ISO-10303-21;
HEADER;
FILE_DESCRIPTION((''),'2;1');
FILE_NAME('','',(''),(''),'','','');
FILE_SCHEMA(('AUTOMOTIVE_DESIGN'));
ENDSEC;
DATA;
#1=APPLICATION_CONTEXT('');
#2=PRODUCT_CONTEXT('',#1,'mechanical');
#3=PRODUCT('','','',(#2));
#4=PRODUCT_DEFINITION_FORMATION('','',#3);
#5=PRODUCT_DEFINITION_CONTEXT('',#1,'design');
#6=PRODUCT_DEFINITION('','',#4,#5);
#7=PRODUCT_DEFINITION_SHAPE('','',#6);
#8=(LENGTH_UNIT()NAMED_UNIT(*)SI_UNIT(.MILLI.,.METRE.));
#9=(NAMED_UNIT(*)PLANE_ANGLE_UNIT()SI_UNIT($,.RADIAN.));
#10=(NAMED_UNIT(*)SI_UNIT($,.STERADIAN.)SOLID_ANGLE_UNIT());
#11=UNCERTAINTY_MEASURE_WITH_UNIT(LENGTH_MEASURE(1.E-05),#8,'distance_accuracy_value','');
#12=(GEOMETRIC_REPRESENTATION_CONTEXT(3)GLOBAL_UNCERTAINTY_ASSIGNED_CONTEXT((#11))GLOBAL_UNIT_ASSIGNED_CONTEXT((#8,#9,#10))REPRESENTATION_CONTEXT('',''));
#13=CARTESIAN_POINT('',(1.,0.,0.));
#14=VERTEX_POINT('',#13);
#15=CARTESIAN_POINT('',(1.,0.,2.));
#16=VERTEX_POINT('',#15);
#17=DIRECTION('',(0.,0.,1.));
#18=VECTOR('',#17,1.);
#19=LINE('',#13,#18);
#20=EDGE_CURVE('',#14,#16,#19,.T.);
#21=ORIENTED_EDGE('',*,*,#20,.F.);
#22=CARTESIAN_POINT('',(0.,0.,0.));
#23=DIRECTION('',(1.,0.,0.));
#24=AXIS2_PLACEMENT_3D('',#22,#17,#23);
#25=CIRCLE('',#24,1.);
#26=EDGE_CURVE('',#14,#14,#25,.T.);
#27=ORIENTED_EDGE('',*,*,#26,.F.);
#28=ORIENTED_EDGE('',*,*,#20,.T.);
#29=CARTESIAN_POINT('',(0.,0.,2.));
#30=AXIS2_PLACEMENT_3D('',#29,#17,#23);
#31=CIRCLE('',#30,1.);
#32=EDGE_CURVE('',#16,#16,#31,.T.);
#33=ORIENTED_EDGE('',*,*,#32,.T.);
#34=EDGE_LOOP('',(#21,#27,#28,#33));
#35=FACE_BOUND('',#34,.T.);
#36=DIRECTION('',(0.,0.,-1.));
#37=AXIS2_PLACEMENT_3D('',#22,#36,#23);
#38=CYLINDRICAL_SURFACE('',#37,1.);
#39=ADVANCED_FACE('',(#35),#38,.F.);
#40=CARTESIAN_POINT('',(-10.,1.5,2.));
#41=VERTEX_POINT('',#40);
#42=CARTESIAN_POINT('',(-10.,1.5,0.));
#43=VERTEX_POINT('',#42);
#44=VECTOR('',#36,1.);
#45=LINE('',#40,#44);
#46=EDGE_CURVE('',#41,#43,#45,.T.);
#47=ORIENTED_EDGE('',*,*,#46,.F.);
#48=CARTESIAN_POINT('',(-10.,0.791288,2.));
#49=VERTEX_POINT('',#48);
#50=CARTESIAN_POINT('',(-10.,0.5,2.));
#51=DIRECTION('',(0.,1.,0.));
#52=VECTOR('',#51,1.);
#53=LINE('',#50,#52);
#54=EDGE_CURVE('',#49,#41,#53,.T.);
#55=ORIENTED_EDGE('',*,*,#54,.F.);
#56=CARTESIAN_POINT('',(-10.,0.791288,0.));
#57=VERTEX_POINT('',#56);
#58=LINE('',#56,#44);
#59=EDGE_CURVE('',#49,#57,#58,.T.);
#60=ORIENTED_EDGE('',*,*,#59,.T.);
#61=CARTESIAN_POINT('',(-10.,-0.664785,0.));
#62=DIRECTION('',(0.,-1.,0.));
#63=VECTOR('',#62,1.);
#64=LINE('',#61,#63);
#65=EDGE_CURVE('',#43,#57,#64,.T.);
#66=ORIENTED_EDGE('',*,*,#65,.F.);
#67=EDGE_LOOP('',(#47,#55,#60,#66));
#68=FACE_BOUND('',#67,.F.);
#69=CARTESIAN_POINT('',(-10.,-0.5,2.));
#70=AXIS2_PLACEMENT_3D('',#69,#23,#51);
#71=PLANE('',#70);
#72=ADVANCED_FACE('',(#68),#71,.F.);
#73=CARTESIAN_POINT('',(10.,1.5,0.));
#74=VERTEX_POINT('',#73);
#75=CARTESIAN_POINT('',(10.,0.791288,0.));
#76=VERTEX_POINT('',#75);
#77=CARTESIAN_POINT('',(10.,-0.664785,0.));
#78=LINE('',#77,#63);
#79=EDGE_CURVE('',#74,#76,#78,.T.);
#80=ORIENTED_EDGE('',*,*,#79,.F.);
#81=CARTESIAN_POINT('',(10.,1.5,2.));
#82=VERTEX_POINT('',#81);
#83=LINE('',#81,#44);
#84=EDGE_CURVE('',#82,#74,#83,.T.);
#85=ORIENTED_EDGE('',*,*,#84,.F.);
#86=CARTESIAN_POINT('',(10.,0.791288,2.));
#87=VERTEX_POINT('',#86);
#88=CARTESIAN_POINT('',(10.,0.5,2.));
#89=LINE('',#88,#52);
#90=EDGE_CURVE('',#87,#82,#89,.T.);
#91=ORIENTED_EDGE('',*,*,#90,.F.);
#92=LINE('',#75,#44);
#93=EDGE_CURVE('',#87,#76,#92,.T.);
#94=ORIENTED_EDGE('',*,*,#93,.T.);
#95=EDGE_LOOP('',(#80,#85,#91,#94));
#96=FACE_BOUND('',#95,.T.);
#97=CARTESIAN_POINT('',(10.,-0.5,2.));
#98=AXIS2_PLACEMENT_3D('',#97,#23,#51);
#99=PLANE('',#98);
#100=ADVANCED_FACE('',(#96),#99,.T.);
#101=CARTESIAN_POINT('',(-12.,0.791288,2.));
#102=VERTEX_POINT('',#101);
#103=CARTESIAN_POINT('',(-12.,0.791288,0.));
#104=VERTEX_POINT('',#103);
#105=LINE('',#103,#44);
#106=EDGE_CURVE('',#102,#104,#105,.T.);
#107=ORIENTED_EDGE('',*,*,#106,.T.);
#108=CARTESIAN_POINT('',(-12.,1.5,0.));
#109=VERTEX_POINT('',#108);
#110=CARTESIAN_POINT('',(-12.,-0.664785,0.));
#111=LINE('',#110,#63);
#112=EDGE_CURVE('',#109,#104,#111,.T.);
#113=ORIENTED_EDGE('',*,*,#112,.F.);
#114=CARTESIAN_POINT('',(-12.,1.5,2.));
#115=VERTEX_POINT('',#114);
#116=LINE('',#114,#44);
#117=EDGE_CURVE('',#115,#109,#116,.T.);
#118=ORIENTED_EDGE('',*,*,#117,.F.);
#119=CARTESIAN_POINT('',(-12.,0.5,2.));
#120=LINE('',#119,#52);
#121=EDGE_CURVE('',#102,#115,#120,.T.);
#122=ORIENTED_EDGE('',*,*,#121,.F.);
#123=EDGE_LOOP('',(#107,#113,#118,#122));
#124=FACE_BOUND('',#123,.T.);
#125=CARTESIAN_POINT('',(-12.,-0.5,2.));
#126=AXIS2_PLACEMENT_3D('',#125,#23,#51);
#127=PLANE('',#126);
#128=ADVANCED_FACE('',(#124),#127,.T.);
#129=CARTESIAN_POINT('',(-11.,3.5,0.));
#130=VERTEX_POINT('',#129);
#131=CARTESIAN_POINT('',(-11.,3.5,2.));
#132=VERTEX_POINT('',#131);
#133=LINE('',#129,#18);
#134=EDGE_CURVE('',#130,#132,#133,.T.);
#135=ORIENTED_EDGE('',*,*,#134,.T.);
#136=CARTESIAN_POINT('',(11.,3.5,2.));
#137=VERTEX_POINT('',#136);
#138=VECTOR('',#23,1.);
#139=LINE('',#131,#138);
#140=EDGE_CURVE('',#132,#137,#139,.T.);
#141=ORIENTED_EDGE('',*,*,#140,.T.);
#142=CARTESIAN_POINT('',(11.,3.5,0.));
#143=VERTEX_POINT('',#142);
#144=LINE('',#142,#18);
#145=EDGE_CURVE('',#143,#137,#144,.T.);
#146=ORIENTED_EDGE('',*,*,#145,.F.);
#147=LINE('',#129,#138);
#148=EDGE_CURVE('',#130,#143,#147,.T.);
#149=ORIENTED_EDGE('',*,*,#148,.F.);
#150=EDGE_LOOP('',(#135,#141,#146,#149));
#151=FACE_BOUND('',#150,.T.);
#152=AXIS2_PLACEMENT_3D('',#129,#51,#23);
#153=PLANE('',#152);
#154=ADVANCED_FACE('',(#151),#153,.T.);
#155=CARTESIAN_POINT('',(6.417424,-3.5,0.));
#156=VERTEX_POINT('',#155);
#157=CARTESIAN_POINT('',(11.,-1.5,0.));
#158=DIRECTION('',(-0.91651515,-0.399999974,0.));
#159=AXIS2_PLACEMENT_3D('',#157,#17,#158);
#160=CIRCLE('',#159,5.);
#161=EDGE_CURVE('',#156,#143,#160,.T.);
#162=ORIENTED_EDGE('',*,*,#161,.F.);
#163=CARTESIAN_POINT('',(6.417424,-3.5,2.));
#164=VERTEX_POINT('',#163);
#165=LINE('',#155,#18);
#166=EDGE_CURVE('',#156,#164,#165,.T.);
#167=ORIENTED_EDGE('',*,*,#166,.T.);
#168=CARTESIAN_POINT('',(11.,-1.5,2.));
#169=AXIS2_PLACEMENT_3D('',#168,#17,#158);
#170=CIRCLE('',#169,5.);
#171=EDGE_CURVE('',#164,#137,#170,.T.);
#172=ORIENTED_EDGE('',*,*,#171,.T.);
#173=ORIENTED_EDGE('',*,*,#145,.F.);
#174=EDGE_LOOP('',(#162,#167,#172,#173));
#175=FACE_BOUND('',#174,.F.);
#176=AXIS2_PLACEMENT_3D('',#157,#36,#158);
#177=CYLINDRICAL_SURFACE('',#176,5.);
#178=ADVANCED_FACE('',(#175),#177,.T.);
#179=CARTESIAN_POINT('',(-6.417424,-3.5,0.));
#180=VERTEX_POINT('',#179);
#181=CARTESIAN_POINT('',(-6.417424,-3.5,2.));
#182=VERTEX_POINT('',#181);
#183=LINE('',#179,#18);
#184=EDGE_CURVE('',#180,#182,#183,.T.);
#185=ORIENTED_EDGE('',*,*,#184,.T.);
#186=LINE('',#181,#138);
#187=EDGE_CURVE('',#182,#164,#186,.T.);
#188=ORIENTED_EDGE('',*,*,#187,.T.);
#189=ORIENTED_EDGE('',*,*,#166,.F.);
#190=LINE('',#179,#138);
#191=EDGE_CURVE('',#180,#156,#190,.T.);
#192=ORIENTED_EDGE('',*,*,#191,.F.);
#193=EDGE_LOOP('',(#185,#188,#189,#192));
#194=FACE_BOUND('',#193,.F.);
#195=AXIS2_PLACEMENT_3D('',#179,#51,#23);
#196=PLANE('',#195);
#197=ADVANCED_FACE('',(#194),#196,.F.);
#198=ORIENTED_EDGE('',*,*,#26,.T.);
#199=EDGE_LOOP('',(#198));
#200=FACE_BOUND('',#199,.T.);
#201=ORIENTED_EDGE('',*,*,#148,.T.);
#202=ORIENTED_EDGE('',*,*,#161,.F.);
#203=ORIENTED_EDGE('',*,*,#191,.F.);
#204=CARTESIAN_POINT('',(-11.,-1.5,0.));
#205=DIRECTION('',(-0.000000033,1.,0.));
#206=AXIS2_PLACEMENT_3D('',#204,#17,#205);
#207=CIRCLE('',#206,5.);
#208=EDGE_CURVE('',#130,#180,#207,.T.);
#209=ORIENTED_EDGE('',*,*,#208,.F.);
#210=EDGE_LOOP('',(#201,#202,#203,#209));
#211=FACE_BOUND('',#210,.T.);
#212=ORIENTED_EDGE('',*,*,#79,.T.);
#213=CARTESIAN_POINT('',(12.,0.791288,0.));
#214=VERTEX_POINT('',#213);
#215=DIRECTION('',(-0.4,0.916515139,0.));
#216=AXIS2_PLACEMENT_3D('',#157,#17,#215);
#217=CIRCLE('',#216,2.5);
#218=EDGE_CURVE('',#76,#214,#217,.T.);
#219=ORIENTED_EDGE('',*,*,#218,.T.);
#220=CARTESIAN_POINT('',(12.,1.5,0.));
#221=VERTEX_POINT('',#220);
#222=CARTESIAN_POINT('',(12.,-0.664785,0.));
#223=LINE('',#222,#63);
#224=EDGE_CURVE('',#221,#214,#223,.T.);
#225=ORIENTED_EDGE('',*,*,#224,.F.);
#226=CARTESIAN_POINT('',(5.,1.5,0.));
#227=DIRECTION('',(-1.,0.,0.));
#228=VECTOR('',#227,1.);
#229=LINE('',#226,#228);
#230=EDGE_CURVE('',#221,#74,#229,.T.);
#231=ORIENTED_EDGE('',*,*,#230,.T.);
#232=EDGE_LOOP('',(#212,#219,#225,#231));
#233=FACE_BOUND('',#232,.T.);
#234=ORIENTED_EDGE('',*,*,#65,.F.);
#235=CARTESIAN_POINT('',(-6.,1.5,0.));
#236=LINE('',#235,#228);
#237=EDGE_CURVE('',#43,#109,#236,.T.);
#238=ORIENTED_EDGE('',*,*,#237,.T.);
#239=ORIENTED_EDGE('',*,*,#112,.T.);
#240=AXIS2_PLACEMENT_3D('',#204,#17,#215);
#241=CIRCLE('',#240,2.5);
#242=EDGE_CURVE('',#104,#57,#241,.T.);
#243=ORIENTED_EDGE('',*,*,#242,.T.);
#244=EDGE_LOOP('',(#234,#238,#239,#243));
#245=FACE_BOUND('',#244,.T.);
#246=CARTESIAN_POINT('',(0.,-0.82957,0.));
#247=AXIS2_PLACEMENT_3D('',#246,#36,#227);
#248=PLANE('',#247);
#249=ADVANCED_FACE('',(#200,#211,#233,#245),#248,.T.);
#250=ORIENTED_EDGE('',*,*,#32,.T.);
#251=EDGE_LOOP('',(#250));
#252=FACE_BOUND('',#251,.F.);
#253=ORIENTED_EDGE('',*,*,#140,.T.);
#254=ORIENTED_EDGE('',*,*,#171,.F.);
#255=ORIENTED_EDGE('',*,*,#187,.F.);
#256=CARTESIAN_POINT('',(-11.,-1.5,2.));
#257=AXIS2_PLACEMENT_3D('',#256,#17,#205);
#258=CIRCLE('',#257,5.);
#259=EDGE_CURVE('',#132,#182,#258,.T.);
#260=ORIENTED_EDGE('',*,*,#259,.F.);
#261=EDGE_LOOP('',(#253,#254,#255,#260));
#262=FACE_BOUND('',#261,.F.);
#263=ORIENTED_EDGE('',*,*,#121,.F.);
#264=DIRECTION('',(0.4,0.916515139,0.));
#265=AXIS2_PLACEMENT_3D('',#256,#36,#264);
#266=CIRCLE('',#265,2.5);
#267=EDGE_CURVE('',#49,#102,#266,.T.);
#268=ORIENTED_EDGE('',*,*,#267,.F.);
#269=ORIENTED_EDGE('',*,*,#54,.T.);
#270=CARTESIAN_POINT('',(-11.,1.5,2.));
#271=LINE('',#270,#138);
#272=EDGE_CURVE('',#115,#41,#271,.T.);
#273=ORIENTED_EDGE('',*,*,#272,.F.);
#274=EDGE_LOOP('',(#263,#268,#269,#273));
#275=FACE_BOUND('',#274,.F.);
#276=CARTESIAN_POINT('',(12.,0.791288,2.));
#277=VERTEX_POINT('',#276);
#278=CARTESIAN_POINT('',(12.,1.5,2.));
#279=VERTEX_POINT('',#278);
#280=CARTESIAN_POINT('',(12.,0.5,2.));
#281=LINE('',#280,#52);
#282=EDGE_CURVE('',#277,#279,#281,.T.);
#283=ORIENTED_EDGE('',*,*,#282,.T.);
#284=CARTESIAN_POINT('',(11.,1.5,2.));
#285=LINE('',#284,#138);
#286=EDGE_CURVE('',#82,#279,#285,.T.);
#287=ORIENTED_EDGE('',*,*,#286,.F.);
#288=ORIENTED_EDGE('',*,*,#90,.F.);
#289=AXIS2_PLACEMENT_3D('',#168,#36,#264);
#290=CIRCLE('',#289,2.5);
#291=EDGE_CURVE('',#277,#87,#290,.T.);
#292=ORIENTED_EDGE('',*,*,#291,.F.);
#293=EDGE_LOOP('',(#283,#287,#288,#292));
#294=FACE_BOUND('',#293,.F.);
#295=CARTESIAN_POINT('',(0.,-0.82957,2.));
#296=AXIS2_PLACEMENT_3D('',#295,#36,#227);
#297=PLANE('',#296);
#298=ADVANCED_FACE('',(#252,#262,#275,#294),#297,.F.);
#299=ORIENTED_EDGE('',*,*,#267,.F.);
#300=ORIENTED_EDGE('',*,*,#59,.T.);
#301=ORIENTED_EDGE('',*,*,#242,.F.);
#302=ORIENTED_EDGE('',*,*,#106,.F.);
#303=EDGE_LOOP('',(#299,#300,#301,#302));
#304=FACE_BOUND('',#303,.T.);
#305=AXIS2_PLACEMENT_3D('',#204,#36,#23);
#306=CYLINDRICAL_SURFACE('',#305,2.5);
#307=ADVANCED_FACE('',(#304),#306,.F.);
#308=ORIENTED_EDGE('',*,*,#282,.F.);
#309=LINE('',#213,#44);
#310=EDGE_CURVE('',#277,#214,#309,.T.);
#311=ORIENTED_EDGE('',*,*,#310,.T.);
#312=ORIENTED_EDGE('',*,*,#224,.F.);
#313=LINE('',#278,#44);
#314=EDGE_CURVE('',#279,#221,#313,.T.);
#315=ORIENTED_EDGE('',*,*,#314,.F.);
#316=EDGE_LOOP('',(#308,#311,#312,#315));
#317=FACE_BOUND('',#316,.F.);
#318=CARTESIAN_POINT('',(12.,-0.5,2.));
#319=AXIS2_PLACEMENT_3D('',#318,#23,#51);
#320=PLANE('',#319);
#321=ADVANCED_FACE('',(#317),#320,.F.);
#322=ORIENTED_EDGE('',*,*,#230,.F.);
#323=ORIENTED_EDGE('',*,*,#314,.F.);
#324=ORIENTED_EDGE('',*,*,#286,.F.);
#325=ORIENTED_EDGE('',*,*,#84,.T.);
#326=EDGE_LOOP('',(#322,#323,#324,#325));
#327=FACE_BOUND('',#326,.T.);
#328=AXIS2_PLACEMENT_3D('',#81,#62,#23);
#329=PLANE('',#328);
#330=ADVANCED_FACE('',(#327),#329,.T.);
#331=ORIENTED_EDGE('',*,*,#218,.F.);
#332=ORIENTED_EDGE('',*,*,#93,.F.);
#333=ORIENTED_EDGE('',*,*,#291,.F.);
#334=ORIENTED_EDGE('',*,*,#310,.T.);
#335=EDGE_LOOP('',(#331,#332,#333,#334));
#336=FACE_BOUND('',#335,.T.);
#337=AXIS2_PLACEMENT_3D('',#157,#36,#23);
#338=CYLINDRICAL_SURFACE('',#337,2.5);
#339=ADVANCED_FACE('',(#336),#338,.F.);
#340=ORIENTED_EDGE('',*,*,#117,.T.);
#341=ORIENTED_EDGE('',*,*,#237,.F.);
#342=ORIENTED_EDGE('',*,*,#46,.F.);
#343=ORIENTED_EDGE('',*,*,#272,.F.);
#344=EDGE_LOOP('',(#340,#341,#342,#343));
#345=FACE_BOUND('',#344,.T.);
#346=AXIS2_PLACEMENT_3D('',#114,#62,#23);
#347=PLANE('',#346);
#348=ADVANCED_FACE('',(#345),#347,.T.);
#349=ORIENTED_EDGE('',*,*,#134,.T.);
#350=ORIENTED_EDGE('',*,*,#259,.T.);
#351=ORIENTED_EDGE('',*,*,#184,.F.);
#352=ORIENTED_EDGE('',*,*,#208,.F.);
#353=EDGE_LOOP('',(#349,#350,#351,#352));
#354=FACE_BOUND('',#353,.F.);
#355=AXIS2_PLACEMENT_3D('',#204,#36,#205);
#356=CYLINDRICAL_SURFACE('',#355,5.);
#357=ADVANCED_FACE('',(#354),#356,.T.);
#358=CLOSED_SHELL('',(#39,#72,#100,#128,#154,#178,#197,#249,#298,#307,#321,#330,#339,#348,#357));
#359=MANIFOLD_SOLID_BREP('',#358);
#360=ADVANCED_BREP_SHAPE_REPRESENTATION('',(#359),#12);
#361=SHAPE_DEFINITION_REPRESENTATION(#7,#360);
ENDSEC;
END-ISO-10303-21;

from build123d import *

# Parameters (mm, degrees)
SKETCH_R     = 1
SKETCH_R_2   = 2.5
PAD_DEPTH    = 2
SKETCH001_W  = 2
SKETCH001_H  = 2
POCKET_DEPTH = 2.001


with BuildPart() as part:
    # Sketch → Pad (new body)
    with BuildSketch(Plane.XY):
        with BuildLine():
            Line((-11, 3.5), (11, 3.5))
            ThreePointArc((6.417424, -3.5), (15.1833, -4.238613), (11, 3.5))
            Line((-6.417424, -3.5), (6.417424, -3.5))
            ThreePointArc((-11, 3.5), (-15.1833, -4.238613), (-6.417424, -3.5))
        make_face()
        Circle(SKETCH_R, mode=Mode.SUBTRACT)
        with Locations((-11, -1.5)):
            Circle(SKETCH_R_2, mode=Mode.SUBTRACT)
        with Locations((11, -1.5)):
            Circle(SKETCH_R_2, mode=Mode.SUBTRACT)
    extrude(amount=PAD_DEPTH)

    # Sketch001 → Pocket (cut, through all)
    with BuildSketch(Plane.XY.offset(2)):
        with Locations((-11, 0.5)):
            Rectangle(SKETCH001_W, SKETCH001_H)
        with Locations((11, 0.5)):
            Rectangle(SKETCH001_W, SKETCH001_H)
    extrude(amount=-POCKET_DEPTH, mode=Mode.SUBTRACT)


solid = part.part
